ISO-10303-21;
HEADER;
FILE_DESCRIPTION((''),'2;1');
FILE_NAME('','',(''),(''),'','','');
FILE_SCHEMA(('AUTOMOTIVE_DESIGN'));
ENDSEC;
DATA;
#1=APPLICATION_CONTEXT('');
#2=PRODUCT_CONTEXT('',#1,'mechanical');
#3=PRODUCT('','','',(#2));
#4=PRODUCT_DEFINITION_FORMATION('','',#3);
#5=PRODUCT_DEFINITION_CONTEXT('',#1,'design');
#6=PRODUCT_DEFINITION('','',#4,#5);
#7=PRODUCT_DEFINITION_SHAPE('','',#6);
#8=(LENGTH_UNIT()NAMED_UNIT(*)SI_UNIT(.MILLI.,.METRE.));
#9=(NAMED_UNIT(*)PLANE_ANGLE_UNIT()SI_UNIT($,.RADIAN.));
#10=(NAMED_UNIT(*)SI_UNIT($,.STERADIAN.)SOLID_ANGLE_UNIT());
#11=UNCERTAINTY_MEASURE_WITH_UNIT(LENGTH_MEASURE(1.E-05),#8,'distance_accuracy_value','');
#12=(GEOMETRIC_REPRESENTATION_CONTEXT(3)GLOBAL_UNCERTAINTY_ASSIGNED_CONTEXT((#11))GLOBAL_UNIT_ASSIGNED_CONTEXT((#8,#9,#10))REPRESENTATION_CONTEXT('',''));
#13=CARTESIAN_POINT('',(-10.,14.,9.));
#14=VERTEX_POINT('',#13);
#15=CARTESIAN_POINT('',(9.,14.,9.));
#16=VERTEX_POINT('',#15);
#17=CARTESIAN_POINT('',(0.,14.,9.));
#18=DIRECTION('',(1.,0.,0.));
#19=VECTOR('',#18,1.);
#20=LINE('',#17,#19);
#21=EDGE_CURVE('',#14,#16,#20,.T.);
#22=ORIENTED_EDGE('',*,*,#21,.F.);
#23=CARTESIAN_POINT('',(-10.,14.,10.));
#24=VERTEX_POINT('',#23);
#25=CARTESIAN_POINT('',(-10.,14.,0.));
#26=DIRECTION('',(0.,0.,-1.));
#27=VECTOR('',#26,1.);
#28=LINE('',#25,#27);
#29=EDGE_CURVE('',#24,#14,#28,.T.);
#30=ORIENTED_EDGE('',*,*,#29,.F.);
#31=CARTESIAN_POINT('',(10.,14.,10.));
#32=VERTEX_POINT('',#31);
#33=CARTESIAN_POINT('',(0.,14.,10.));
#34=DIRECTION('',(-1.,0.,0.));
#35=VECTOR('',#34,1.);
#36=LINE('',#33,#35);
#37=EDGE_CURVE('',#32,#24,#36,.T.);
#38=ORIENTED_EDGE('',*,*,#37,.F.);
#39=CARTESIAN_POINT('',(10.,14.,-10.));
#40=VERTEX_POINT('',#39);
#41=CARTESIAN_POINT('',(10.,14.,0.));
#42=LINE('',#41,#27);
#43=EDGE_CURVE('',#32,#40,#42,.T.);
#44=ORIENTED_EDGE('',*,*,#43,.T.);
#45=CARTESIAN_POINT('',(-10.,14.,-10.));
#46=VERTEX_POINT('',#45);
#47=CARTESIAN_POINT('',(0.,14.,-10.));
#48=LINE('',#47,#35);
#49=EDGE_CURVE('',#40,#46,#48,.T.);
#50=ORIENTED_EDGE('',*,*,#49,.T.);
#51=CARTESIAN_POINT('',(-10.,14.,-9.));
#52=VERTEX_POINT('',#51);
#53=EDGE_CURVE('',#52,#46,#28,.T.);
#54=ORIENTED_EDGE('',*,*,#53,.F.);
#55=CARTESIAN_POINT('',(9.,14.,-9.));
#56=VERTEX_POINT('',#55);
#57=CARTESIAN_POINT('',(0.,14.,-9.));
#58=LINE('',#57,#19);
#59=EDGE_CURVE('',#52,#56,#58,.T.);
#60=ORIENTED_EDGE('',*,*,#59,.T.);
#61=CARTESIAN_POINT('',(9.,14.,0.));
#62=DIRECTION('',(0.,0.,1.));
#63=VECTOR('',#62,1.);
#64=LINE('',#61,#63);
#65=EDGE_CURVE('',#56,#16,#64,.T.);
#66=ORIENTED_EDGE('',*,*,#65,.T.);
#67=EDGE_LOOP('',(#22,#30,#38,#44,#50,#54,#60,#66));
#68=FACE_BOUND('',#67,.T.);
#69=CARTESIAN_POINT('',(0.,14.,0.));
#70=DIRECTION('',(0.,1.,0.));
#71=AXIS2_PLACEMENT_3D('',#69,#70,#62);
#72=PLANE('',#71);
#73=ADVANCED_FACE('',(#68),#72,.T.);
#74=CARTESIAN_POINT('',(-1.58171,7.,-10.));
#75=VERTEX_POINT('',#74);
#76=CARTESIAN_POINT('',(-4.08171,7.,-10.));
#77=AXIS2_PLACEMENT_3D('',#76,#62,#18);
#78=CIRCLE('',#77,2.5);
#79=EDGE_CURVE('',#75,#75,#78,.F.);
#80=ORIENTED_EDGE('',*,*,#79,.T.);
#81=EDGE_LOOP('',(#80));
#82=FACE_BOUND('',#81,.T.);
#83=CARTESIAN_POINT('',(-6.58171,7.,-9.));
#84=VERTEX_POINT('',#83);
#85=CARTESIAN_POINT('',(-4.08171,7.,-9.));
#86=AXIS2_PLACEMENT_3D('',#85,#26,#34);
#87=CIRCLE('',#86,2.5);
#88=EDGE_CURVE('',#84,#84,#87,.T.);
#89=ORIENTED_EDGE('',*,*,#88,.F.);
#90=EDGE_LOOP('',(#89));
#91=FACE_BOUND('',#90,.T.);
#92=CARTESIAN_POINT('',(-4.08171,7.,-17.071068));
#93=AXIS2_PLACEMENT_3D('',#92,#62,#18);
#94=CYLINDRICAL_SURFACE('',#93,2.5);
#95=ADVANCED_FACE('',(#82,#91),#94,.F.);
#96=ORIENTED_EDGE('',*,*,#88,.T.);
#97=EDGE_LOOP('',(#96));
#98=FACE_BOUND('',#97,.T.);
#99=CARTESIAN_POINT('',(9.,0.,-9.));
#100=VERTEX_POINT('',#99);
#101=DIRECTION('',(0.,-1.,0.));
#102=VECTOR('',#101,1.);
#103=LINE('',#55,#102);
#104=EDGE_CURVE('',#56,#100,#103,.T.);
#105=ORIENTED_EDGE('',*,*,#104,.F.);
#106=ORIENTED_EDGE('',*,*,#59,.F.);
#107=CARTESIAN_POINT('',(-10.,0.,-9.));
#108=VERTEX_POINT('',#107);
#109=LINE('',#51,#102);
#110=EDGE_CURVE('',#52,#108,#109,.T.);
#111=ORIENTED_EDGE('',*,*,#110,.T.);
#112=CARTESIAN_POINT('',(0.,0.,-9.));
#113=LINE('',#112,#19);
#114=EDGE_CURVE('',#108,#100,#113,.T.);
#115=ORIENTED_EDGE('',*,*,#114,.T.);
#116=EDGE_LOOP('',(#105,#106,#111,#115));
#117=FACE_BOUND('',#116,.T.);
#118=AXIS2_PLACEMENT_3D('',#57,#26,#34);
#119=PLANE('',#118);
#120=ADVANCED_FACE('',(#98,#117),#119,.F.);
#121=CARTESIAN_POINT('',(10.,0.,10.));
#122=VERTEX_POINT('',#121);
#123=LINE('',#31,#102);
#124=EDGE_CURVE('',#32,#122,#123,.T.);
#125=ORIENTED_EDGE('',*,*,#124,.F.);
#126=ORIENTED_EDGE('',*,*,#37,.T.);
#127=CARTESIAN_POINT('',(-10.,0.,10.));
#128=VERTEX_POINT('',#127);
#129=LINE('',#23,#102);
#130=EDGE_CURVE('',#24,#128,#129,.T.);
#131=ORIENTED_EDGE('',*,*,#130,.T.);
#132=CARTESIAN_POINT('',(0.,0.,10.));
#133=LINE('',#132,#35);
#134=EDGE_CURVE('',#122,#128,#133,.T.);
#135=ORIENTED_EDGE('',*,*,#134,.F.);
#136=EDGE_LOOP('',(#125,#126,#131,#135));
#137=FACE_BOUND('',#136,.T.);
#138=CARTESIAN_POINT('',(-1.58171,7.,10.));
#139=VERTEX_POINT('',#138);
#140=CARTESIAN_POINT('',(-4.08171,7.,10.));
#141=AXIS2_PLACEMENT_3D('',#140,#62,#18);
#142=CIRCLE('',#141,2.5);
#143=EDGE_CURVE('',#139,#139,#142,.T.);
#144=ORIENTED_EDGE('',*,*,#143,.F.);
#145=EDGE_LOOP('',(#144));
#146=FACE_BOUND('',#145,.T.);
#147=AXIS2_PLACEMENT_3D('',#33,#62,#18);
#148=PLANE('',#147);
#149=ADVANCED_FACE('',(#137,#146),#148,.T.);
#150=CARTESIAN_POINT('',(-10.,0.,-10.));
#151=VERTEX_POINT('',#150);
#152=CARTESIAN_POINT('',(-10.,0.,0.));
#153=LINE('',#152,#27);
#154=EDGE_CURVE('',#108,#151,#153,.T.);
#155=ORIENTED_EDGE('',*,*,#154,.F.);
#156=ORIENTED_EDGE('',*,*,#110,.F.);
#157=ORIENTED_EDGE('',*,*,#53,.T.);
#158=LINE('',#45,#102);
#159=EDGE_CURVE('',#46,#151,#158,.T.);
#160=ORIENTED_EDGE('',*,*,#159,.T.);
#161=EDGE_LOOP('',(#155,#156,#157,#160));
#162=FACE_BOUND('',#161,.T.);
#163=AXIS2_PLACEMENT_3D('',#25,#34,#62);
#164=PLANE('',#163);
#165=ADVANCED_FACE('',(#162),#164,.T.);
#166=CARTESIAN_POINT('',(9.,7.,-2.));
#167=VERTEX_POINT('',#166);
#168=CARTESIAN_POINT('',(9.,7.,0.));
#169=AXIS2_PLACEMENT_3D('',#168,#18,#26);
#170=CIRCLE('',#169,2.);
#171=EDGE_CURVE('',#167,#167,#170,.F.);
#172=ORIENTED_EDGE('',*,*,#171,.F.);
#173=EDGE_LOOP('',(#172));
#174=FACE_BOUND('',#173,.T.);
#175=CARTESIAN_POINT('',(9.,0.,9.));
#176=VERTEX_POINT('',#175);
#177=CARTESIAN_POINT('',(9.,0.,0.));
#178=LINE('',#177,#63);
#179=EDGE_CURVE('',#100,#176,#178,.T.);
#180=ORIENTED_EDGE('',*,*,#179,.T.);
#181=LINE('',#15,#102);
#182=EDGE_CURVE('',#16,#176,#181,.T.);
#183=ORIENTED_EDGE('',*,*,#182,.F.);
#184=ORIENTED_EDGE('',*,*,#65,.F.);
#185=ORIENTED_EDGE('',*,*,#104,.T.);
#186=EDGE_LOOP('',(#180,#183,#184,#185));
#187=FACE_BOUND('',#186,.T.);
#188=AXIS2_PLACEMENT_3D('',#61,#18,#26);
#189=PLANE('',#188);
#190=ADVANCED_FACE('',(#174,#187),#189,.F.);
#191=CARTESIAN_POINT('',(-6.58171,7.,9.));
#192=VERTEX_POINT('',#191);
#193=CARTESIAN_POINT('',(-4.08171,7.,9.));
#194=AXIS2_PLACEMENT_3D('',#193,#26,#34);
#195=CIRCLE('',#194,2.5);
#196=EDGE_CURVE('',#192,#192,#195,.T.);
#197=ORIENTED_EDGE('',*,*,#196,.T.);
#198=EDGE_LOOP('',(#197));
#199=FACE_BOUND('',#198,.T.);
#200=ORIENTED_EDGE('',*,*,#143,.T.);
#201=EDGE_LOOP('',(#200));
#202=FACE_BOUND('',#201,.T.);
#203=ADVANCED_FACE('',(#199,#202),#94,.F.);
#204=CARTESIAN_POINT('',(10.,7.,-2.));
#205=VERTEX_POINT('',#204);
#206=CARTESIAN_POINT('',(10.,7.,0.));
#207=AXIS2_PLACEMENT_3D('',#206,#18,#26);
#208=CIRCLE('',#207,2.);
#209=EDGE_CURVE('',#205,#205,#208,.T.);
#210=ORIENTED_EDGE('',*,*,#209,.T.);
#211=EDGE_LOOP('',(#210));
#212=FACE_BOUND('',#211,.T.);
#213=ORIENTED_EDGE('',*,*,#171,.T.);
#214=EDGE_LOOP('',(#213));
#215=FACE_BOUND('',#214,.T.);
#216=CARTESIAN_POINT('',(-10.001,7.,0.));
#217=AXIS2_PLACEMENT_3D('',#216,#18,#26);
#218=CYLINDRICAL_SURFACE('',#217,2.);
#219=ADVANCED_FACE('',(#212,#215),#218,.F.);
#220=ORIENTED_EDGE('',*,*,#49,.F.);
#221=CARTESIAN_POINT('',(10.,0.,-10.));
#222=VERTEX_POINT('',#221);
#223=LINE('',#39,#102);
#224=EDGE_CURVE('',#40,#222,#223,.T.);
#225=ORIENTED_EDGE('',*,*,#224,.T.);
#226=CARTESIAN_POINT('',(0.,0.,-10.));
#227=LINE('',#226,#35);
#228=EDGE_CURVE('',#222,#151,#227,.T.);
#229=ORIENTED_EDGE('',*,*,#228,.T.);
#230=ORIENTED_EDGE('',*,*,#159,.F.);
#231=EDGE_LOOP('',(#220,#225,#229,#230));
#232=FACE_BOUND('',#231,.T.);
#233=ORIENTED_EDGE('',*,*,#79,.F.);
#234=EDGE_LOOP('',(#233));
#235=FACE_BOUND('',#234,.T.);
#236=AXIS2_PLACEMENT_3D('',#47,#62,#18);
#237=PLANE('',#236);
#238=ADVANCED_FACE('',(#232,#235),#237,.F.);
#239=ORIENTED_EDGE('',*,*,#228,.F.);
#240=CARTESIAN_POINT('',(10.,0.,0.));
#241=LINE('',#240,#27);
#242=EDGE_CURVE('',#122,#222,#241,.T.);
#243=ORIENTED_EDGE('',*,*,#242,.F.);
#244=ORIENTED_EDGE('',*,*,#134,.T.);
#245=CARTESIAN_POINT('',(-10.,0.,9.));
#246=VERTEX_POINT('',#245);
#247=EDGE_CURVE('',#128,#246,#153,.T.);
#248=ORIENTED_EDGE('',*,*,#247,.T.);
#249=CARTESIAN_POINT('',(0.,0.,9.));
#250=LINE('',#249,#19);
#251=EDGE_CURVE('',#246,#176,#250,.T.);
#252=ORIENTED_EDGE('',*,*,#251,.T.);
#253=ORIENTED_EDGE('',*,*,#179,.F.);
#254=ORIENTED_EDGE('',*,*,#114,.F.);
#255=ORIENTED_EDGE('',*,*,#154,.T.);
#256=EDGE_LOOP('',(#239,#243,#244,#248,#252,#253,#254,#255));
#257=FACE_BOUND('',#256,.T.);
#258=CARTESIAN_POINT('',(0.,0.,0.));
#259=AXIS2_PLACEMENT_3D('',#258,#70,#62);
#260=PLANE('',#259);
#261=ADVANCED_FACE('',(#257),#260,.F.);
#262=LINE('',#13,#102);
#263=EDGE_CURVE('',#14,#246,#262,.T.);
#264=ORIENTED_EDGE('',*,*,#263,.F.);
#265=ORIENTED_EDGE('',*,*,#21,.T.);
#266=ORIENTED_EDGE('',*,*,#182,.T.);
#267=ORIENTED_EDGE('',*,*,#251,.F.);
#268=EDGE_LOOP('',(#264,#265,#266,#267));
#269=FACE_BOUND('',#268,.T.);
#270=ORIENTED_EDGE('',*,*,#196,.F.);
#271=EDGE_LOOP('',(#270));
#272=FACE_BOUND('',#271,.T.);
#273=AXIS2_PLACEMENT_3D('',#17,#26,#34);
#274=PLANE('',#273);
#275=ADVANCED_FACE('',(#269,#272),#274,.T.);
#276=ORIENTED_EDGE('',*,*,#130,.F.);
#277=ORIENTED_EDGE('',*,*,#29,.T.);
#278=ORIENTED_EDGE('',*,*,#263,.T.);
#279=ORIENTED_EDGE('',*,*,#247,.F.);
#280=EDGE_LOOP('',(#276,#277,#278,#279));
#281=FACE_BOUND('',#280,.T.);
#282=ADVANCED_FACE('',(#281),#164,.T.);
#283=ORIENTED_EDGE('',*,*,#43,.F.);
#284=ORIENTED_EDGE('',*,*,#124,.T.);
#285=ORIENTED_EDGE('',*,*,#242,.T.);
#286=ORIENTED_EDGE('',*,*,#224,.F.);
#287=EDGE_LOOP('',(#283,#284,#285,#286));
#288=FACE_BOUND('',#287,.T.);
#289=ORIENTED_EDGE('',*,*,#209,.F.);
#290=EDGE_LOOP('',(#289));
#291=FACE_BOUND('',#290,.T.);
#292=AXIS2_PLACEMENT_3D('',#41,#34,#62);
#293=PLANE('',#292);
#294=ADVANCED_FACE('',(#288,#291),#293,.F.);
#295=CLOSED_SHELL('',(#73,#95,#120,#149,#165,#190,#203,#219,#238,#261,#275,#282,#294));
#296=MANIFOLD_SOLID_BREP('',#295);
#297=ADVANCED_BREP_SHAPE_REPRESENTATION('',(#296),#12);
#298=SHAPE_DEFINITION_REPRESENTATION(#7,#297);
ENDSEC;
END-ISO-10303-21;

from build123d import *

# Parameters (mm, degrees)
BOSS_EXTRUDE1_DEPTH = 14
SKETCH2_R           = 2.5
CUT_EXTRUDE1_DEPTH  = 20
CUT_EXTRUDE2_REACH  = 22
SKETCH3_R           = 2


with BuildPart() as part:
    # Sketch1 → Boss-Extrude1 (new body)
    with BuildSketch(Plane(origin=(0, 0, 0), x_dir=(1, 0, 0), z_dir=(0, 1, 0))):
        Polygon((-10, -10), (10, -10), (10, 10), (-10, 10), (-10, 9), (9, 9), (9, -9), (-10, -9), align=None)
    extrude(amount=BOSS_EXTRUDE1_DEPTH)

    # Sketch2 → Cut-Extrude1 (cut)
    with BuildSketch(Plane.XY.offset(10)):
        with Locations((-4.081710117, 7)):
            Circle(SKETCH2_R)
    extrude(amount=-CUT_EXTRUDE1_DEPTH, mode=Mode.SUBTRACT)

    # Sketch3 → Cut-Extrude2 (cut, up to next)
    with BuildSketch(Plane(origin=(10, 0, 0), x_dir=(0, 0, -1), z_dir=(1, 0, 0)), mode=Mode.PRIVATE) as cut_extrude2_sk1:
        with Locations((0, 7)):
            Circle(SKETCH3_R)
    cut_extrude2_tool1 = extrude(cut_extrude2_sk1.sketch, amount=-CUT_EXTRUDE2_REACH, mode=Mode.PRIVATE) & part.part
    add(cut_extrude2_tool1.solids().sort_by_distance((10, 7, 0))[0], mode=Mode.SUBTRACT)


solid = part.part
